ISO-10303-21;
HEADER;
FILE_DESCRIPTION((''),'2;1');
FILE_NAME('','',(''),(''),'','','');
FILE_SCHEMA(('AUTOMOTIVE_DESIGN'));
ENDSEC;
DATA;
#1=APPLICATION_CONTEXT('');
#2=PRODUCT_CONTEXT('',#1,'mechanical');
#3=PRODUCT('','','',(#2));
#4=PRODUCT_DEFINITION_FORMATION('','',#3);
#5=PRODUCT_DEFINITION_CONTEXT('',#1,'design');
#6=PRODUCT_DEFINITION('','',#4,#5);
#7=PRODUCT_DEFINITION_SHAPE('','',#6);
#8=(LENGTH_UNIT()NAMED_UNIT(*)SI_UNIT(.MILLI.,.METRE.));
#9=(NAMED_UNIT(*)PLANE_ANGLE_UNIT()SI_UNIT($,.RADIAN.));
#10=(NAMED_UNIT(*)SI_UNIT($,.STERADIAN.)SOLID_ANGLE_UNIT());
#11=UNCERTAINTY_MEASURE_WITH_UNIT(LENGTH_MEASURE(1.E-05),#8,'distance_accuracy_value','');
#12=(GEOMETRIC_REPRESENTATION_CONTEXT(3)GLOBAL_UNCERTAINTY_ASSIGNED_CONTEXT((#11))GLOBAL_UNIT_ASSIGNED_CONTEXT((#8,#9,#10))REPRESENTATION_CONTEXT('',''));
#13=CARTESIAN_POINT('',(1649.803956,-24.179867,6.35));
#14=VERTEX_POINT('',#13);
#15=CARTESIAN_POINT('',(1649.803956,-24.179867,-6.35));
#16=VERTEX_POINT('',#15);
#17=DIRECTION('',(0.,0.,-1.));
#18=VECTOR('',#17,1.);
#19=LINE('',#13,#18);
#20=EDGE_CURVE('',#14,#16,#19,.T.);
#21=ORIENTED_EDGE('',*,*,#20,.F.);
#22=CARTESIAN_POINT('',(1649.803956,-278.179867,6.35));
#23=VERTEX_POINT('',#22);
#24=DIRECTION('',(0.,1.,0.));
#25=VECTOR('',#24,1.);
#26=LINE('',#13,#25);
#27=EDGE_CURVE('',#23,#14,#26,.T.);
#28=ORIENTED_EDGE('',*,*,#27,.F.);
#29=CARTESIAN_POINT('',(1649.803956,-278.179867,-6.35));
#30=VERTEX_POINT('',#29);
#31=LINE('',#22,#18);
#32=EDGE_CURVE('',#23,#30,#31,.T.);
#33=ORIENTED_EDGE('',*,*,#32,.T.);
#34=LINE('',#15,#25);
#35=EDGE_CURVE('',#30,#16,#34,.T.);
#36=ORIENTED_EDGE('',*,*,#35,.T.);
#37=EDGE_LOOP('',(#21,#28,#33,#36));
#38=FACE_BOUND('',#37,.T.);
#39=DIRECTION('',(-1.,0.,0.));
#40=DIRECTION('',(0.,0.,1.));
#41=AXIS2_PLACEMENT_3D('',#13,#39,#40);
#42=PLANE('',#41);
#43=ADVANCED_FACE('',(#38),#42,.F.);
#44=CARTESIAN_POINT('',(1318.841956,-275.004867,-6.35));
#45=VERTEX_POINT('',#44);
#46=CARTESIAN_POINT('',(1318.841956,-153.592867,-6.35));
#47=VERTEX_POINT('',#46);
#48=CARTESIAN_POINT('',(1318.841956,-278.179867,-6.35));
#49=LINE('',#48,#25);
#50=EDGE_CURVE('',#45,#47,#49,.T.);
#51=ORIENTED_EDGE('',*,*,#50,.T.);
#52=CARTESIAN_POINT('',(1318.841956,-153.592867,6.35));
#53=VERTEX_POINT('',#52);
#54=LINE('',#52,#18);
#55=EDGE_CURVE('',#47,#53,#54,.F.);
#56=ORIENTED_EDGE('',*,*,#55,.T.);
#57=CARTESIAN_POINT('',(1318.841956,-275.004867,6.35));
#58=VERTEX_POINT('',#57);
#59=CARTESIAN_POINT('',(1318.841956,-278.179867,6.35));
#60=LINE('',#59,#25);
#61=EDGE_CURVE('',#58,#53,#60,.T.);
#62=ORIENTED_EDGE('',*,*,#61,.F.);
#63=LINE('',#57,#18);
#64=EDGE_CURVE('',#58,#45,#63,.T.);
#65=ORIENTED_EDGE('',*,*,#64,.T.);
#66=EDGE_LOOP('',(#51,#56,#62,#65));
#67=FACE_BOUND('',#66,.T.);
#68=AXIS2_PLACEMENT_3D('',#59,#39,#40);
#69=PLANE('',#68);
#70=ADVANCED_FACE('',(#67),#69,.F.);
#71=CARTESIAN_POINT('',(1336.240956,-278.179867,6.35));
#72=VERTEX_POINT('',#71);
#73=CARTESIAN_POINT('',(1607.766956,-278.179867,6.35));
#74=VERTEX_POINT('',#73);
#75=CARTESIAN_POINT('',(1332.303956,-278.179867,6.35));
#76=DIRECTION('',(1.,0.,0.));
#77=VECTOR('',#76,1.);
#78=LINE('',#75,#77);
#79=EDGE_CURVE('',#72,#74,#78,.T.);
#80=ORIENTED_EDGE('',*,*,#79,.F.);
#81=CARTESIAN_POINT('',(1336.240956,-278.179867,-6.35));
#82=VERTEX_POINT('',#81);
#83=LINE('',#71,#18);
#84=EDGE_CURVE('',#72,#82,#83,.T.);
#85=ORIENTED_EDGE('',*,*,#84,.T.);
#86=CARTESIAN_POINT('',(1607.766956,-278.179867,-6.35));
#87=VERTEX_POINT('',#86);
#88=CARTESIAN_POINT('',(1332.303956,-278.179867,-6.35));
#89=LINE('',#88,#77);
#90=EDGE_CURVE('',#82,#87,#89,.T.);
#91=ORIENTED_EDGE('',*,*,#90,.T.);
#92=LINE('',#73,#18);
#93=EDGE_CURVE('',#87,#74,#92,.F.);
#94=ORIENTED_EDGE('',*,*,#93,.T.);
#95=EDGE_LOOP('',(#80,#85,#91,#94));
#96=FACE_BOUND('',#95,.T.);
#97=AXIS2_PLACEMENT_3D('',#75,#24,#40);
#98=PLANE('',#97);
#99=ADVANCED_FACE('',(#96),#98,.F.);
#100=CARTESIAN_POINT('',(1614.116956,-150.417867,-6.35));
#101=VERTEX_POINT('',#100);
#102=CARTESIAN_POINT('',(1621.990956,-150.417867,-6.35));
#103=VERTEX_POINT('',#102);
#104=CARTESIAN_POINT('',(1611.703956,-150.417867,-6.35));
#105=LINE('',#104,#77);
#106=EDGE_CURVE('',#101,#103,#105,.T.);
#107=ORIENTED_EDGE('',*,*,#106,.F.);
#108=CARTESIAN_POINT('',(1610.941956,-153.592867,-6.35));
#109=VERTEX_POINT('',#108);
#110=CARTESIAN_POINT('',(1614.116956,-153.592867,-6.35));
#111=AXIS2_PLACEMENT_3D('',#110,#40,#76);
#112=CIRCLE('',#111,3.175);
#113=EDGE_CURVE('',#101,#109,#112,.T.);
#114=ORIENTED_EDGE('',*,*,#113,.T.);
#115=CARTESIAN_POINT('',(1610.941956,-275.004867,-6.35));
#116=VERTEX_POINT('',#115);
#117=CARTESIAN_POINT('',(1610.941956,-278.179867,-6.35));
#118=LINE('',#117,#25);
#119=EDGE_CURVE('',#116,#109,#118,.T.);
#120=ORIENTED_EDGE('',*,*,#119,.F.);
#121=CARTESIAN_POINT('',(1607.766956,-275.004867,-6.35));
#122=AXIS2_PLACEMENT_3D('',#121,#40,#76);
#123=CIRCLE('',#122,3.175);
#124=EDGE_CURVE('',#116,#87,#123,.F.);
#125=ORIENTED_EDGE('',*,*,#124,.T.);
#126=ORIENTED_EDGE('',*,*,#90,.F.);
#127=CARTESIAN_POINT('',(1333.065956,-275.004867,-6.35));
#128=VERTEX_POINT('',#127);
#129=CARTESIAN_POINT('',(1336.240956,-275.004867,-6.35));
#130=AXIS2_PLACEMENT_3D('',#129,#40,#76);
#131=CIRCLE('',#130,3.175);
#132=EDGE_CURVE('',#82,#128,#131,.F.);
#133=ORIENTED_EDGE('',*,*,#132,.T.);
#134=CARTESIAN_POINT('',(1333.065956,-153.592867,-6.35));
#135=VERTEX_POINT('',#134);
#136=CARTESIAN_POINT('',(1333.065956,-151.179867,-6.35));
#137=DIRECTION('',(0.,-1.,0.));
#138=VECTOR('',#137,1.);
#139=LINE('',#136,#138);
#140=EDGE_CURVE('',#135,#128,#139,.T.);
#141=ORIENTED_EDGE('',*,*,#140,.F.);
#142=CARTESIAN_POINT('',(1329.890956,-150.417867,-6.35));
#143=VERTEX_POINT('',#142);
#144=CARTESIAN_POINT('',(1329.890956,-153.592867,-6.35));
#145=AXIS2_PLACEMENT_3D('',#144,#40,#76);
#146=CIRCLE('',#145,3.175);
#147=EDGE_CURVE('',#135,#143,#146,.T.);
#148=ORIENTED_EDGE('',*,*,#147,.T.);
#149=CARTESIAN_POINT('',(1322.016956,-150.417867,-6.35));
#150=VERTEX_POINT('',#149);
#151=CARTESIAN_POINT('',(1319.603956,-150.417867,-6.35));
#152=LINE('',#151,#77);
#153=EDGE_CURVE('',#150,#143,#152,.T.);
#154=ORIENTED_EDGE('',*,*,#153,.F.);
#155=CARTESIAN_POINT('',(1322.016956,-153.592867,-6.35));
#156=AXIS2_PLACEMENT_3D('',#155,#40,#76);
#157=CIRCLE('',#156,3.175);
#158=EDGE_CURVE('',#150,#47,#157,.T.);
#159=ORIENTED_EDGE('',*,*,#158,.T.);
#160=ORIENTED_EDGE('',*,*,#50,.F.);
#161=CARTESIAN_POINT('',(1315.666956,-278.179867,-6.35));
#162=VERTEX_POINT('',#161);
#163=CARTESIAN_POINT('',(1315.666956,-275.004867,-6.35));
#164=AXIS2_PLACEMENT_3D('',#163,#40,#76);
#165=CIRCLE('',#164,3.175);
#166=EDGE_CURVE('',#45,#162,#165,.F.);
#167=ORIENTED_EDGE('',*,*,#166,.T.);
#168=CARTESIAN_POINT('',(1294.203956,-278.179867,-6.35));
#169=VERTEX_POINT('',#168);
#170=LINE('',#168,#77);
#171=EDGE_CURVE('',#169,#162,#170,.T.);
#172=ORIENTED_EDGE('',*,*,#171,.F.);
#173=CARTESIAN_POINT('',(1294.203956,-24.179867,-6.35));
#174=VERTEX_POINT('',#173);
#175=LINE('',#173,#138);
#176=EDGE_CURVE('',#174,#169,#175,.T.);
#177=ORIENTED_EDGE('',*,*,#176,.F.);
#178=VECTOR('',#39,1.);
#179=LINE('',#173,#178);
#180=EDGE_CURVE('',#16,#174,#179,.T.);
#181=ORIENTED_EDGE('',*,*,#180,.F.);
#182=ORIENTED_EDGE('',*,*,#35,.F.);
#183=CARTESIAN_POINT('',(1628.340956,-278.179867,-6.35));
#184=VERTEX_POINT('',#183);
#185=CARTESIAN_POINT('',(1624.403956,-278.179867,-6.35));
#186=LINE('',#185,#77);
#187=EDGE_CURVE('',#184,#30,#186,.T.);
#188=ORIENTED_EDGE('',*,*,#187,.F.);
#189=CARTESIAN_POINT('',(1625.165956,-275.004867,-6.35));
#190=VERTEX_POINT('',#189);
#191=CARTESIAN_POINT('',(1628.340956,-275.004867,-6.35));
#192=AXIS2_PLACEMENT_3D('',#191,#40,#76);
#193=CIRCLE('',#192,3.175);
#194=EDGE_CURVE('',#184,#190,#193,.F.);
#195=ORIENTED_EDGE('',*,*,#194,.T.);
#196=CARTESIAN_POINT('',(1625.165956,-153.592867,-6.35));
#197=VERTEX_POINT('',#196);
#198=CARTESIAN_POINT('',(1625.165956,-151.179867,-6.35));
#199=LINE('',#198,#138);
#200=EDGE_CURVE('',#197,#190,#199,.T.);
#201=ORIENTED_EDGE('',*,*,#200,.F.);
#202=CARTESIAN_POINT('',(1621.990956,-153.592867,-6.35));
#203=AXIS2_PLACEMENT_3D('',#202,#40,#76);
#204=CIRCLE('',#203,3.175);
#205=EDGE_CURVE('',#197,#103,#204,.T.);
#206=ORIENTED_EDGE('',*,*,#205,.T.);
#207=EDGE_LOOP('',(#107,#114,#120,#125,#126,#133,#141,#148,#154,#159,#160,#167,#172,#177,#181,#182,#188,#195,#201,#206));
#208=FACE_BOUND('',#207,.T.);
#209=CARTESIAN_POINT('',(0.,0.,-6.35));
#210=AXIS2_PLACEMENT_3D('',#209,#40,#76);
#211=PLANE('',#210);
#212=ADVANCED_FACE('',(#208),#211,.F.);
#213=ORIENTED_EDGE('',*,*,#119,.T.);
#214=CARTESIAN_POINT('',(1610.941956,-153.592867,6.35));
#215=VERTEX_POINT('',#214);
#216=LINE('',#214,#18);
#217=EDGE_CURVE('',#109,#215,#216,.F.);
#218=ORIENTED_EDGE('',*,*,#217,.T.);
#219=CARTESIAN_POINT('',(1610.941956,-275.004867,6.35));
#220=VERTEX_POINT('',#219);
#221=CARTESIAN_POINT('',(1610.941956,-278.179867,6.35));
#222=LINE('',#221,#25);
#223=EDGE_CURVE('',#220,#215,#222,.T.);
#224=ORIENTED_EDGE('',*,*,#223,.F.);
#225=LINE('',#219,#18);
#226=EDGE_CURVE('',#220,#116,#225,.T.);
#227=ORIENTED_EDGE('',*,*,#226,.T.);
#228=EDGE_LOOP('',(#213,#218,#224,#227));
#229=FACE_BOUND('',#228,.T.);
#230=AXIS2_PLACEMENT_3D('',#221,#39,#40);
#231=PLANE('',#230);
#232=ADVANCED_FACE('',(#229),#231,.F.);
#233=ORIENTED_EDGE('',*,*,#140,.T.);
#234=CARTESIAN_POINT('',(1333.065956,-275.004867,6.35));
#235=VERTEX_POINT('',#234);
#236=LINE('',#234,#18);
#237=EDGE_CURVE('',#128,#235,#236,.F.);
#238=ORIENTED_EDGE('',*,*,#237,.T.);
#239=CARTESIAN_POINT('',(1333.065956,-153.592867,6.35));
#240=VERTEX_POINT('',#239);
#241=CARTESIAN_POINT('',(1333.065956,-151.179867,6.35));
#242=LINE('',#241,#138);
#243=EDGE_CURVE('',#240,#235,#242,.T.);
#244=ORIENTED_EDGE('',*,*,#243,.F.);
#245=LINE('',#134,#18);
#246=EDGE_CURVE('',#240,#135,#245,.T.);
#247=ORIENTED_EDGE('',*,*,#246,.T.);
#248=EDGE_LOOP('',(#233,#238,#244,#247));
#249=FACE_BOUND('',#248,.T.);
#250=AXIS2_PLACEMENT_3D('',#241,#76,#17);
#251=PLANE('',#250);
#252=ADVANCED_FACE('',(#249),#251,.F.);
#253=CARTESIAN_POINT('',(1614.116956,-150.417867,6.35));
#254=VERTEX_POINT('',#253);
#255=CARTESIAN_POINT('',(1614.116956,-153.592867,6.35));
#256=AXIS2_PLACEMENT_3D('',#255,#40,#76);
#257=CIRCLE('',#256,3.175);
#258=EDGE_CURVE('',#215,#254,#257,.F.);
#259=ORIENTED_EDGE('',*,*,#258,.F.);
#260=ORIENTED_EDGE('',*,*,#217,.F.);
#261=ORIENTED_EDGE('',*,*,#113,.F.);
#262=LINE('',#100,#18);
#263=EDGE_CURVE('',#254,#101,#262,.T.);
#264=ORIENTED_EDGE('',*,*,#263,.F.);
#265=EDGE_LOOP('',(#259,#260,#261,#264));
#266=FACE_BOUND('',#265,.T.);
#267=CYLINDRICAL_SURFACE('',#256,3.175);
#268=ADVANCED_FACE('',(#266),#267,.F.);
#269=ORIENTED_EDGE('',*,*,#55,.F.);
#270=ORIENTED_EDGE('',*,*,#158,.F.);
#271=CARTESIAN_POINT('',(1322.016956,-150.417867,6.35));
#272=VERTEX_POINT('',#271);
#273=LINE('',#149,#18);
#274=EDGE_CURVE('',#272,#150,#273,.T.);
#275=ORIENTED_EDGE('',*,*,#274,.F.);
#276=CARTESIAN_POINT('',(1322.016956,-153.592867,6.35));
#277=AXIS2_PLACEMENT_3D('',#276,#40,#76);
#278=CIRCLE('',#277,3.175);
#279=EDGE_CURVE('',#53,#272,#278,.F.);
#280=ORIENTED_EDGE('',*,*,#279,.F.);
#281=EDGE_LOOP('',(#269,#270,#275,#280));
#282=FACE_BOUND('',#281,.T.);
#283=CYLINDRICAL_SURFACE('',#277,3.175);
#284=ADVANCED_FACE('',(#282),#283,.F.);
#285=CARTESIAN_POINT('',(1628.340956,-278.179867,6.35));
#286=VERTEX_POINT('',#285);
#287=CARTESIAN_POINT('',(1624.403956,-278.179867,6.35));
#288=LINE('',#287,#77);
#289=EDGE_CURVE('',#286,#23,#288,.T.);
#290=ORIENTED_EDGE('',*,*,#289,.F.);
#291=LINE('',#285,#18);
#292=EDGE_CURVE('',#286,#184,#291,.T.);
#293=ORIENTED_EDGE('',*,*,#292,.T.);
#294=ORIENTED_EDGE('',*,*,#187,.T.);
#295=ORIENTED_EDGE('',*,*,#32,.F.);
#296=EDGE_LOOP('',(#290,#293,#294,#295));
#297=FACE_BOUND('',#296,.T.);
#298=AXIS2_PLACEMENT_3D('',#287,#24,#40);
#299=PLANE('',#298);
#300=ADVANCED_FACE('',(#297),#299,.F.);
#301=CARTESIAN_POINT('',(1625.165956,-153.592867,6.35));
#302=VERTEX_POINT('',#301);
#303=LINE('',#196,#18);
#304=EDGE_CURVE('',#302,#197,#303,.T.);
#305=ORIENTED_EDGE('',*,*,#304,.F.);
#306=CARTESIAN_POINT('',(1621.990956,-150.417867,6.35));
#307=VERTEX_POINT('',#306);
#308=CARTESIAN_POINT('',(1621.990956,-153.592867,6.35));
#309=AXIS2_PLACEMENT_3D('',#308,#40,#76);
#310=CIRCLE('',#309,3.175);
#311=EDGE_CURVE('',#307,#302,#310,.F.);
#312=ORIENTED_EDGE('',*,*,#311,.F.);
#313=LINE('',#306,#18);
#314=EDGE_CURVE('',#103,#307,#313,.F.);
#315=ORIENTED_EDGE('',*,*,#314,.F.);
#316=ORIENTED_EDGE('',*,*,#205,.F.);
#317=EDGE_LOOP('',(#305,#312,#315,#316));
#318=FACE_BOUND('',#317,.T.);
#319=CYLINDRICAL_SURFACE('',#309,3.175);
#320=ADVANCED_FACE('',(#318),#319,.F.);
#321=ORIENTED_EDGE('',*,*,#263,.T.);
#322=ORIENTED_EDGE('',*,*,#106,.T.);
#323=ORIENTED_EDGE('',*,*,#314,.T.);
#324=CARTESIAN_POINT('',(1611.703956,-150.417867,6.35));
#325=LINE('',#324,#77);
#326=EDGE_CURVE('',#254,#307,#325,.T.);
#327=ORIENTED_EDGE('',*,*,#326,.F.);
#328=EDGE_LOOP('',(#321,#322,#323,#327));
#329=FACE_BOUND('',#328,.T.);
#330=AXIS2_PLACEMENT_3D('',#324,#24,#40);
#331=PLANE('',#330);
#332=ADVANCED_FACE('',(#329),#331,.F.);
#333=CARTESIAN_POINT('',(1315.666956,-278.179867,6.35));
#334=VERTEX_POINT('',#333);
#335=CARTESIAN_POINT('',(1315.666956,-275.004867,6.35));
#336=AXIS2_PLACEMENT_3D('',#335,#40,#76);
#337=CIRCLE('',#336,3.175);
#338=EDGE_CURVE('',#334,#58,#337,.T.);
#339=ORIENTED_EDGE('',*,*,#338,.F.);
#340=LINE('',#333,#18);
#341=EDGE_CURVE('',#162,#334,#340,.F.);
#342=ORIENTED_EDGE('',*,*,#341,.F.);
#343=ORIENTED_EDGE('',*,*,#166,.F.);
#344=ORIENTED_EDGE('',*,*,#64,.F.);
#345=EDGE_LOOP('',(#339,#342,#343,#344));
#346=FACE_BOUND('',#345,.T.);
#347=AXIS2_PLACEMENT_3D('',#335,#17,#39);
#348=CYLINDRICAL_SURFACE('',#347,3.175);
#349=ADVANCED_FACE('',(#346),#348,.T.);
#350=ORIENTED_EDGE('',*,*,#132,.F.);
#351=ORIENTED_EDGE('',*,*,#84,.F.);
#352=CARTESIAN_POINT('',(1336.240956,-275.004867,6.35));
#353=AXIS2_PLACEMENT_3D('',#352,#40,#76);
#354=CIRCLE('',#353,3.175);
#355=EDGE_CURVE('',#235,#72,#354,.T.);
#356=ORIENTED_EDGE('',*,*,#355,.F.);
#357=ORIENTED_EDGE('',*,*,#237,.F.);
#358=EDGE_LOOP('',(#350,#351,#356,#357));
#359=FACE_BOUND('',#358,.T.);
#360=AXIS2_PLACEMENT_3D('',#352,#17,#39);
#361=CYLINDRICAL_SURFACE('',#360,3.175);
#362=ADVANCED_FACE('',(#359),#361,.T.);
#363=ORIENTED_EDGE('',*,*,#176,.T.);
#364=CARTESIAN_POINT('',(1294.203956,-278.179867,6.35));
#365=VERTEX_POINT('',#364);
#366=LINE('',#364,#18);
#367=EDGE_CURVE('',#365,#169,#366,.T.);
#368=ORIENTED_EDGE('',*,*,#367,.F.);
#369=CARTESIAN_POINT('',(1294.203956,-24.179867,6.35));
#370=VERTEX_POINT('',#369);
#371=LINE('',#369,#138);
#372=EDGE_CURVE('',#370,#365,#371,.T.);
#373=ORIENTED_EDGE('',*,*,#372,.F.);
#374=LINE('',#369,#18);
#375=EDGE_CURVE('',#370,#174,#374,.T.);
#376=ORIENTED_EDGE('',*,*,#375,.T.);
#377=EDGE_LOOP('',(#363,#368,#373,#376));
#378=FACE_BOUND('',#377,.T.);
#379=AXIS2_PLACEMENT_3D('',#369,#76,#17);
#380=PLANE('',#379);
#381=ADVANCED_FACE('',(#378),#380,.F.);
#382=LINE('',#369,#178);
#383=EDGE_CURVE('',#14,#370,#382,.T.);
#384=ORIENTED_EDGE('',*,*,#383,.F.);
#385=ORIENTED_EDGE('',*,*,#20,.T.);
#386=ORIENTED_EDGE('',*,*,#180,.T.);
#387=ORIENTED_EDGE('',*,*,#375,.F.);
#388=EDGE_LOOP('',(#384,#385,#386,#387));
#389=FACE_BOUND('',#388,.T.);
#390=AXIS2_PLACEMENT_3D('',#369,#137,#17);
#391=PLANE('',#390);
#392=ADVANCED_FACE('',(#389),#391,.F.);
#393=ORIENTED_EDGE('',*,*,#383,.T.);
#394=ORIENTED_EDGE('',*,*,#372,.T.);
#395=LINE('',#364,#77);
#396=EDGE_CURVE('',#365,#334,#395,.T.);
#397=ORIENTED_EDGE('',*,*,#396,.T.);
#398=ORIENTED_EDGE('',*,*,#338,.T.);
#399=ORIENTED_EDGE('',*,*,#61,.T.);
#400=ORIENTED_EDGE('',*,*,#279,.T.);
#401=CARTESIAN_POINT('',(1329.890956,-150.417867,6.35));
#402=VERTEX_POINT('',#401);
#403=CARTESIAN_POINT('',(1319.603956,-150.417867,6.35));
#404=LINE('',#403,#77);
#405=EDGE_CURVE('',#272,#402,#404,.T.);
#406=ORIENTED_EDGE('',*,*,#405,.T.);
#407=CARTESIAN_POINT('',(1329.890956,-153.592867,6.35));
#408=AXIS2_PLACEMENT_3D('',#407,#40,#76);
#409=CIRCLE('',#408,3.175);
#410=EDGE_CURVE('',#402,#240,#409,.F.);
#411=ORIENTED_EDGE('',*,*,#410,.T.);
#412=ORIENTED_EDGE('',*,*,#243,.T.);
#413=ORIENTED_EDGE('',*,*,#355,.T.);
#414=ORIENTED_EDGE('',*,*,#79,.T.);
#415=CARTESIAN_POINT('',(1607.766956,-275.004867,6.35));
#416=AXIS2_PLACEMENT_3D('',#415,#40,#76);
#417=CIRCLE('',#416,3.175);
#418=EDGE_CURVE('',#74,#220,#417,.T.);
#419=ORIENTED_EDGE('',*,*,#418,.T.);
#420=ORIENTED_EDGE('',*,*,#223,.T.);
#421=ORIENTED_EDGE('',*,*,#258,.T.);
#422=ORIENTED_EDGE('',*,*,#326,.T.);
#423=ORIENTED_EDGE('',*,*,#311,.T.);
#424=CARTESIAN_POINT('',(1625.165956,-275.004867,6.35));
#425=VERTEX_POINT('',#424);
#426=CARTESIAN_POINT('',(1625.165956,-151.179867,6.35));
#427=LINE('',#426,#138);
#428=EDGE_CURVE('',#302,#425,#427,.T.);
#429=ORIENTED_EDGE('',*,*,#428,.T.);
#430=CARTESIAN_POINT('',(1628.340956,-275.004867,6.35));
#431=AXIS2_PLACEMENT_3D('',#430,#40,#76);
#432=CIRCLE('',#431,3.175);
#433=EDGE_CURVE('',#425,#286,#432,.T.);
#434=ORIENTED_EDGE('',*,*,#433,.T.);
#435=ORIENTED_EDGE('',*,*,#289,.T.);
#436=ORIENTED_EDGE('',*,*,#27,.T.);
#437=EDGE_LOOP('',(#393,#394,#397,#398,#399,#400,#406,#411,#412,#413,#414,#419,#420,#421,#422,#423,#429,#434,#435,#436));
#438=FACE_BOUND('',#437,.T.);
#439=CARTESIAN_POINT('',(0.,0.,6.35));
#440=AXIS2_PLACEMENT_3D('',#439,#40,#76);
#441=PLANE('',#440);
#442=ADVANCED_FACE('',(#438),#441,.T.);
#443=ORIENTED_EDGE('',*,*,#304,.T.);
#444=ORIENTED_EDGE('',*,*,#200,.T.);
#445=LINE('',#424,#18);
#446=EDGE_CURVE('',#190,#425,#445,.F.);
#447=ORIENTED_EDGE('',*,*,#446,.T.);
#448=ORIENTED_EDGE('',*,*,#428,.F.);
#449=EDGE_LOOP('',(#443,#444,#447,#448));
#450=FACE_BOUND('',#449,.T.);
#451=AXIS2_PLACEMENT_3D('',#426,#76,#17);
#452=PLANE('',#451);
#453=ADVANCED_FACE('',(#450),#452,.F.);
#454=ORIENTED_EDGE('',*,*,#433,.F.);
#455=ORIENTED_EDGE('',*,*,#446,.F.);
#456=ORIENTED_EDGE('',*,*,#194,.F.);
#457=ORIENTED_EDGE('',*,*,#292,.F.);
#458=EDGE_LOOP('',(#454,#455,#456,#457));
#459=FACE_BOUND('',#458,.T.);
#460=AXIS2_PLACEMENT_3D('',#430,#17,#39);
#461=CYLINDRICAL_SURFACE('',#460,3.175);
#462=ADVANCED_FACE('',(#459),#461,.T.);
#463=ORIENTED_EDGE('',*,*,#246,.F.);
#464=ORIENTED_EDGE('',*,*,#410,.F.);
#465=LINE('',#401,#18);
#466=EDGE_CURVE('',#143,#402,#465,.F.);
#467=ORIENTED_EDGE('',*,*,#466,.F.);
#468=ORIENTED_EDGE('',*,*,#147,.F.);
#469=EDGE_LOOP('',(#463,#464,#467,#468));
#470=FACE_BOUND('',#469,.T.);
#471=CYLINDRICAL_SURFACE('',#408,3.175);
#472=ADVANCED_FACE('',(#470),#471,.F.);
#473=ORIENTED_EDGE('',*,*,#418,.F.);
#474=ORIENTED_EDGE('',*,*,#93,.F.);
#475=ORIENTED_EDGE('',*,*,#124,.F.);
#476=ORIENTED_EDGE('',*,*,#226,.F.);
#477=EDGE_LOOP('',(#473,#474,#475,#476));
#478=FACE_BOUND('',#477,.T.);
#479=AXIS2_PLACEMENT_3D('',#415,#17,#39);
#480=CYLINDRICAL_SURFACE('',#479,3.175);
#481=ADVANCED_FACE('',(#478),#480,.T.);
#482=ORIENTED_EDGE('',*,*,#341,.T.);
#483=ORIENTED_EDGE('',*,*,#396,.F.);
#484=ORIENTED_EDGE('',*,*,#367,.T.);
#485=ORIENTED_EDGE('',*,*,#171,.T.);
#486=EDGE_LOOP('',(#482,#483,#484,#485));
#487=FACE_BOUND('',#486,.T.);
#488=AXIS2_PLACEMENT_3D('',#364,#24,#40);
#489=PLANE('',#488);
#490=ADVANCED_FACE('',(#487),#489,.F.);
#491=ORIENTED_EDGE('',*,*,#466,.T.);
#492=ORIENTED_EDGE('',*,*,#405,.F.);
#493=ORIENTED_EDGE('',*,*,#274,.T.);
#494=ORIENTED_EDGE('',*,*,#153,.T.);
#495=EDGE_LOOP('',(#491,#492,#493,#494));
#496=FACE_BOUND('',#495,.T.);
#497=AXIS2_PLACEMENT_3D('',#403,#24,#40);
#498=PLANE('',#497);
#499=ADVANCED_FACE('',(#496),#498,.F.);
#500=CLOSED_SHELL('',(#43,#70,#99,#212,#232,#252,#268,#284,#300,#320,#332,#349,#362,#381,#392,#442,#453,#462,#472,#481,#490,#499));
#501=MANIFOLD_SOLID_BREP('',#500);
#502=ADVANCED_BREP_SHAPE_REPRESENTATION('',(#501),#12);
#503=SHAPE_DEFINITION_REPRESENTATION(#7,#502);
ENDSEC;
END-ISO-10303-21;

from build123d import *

# Parameters (mm, degrees)
BOSS_EXTRUDE1_DEPTH = 6.35
MOVE_FACE_SLOT_BY   = 0.762
MOVE_FACE_SLOT_2_BY = 0.762
MOVE_FACE_SLOT_3_BY = 0.762
MOVE_FACE_SLOT_4_BY = 0.762
MOVE_FACE_SLOT_5_BY = 0.762
MOVE_FACE_SLOT_6_BY = 0.762
FILLET1_R           = 3.175


with BuildPart() as part:
    # Sketch1 → Boss-Extrude1 (new, symmetric)
    with BuildSketch(Plane.XY):
        Polygon((1294.203955658, -24.179867224), (1649.803955658, -24.179867224), (1649.803955658, -278.179867224), (1624.403955658, -278.179867224), (1624.403955658, -151.179867224), (1611.703955658, -151.179867224), (1611.703955658, -278.179867224), (1332.303955658, -278.179867224), (1332.303955658, -151.179867224), (1319.603955658, -151.179867224), (1319.603955658, -278.179867224), (1294.203955658, -278.179867224), align=None)
    extrude(amount=BOSS_EXTRUDE1_DEPTH, both=True)

    # Move Face slot: a face moved inward by 0.762
    extrude(part.faces().sort_by_distance((1611.703955658, -214.679867224, 0))[0], amount=MOVE_FACE_SLOT_BY, dir=(-1, 0, 0), mode=Mode.SUBTRACT)

    # Move Face slot 2: a face moved inward by 0.762
    extrude(part.faces().sort_by_distance((1624.403955658, -214.679867224, 0))[0], amount=MOVE_FACE_SLOT_2_BY, dir=(1, 0, 0), mode=Mode.SUBTRACT)

    # Move Face slot 3: a face moved inward by 0.762
    extrude(part.faces().sort_by_distance((1618.053955658, -151.179867224, 0))[0], amount=MOVE_FACE_SLOT_3_BY, dir=(0, 1, 0), mode=Mode.SUBTRACT)

    # Move Face slot 4: a face moved inward by 0.762
    extrude(part.faces().sort_by_distance((1332.303955658, -214.679867224, 0))[0], amount=MOVE_FACE_SLOT_4_BY, dir=(1, 0, 0), mode=Mode.SUBTRACT)

    # Move Face slot 5: a face moved inward by 0.762
    extrude(part.faces().sort_by_distance((1325.953955658, -151.179867224, 0))[0], amount=MOVE_FACE_SLOT_5_BY, dir=(0, 1, 0), mode=Mode.SUBTRACT)

    # Move Face slot 6: a face moved inward by 0.762
    extrude(part.faces().sort_by_distance((1319.603955658, -214.679867224, 0))[0], amount=MOVE_FACE_SLOT_6_BY, dir=(-1, 0, 0), mode=Mode.SUBTRACT)

    # Fillet1
    fillet1_edges = [part.edges().sort_by_distance(p)[0] for p in [
        (1625.165955658, -278.179867224, 0),
        (1625.165955658, -150.417867224, 0),
        (1610.941955658, -150.417867224, 0),
        (1610.941955658, -278.179867224, 0),
        (1333.065955658, -278.179867224, 0),
        (1333.065955658, -150.417867224, 0),
        (1318.841955658, -150.417867224, 0),
        (1318.841955658, -278.179867224, 0),
    ]]
    fillet(fillet1_edges, radius=FILLET1_R)


solid = part.part
